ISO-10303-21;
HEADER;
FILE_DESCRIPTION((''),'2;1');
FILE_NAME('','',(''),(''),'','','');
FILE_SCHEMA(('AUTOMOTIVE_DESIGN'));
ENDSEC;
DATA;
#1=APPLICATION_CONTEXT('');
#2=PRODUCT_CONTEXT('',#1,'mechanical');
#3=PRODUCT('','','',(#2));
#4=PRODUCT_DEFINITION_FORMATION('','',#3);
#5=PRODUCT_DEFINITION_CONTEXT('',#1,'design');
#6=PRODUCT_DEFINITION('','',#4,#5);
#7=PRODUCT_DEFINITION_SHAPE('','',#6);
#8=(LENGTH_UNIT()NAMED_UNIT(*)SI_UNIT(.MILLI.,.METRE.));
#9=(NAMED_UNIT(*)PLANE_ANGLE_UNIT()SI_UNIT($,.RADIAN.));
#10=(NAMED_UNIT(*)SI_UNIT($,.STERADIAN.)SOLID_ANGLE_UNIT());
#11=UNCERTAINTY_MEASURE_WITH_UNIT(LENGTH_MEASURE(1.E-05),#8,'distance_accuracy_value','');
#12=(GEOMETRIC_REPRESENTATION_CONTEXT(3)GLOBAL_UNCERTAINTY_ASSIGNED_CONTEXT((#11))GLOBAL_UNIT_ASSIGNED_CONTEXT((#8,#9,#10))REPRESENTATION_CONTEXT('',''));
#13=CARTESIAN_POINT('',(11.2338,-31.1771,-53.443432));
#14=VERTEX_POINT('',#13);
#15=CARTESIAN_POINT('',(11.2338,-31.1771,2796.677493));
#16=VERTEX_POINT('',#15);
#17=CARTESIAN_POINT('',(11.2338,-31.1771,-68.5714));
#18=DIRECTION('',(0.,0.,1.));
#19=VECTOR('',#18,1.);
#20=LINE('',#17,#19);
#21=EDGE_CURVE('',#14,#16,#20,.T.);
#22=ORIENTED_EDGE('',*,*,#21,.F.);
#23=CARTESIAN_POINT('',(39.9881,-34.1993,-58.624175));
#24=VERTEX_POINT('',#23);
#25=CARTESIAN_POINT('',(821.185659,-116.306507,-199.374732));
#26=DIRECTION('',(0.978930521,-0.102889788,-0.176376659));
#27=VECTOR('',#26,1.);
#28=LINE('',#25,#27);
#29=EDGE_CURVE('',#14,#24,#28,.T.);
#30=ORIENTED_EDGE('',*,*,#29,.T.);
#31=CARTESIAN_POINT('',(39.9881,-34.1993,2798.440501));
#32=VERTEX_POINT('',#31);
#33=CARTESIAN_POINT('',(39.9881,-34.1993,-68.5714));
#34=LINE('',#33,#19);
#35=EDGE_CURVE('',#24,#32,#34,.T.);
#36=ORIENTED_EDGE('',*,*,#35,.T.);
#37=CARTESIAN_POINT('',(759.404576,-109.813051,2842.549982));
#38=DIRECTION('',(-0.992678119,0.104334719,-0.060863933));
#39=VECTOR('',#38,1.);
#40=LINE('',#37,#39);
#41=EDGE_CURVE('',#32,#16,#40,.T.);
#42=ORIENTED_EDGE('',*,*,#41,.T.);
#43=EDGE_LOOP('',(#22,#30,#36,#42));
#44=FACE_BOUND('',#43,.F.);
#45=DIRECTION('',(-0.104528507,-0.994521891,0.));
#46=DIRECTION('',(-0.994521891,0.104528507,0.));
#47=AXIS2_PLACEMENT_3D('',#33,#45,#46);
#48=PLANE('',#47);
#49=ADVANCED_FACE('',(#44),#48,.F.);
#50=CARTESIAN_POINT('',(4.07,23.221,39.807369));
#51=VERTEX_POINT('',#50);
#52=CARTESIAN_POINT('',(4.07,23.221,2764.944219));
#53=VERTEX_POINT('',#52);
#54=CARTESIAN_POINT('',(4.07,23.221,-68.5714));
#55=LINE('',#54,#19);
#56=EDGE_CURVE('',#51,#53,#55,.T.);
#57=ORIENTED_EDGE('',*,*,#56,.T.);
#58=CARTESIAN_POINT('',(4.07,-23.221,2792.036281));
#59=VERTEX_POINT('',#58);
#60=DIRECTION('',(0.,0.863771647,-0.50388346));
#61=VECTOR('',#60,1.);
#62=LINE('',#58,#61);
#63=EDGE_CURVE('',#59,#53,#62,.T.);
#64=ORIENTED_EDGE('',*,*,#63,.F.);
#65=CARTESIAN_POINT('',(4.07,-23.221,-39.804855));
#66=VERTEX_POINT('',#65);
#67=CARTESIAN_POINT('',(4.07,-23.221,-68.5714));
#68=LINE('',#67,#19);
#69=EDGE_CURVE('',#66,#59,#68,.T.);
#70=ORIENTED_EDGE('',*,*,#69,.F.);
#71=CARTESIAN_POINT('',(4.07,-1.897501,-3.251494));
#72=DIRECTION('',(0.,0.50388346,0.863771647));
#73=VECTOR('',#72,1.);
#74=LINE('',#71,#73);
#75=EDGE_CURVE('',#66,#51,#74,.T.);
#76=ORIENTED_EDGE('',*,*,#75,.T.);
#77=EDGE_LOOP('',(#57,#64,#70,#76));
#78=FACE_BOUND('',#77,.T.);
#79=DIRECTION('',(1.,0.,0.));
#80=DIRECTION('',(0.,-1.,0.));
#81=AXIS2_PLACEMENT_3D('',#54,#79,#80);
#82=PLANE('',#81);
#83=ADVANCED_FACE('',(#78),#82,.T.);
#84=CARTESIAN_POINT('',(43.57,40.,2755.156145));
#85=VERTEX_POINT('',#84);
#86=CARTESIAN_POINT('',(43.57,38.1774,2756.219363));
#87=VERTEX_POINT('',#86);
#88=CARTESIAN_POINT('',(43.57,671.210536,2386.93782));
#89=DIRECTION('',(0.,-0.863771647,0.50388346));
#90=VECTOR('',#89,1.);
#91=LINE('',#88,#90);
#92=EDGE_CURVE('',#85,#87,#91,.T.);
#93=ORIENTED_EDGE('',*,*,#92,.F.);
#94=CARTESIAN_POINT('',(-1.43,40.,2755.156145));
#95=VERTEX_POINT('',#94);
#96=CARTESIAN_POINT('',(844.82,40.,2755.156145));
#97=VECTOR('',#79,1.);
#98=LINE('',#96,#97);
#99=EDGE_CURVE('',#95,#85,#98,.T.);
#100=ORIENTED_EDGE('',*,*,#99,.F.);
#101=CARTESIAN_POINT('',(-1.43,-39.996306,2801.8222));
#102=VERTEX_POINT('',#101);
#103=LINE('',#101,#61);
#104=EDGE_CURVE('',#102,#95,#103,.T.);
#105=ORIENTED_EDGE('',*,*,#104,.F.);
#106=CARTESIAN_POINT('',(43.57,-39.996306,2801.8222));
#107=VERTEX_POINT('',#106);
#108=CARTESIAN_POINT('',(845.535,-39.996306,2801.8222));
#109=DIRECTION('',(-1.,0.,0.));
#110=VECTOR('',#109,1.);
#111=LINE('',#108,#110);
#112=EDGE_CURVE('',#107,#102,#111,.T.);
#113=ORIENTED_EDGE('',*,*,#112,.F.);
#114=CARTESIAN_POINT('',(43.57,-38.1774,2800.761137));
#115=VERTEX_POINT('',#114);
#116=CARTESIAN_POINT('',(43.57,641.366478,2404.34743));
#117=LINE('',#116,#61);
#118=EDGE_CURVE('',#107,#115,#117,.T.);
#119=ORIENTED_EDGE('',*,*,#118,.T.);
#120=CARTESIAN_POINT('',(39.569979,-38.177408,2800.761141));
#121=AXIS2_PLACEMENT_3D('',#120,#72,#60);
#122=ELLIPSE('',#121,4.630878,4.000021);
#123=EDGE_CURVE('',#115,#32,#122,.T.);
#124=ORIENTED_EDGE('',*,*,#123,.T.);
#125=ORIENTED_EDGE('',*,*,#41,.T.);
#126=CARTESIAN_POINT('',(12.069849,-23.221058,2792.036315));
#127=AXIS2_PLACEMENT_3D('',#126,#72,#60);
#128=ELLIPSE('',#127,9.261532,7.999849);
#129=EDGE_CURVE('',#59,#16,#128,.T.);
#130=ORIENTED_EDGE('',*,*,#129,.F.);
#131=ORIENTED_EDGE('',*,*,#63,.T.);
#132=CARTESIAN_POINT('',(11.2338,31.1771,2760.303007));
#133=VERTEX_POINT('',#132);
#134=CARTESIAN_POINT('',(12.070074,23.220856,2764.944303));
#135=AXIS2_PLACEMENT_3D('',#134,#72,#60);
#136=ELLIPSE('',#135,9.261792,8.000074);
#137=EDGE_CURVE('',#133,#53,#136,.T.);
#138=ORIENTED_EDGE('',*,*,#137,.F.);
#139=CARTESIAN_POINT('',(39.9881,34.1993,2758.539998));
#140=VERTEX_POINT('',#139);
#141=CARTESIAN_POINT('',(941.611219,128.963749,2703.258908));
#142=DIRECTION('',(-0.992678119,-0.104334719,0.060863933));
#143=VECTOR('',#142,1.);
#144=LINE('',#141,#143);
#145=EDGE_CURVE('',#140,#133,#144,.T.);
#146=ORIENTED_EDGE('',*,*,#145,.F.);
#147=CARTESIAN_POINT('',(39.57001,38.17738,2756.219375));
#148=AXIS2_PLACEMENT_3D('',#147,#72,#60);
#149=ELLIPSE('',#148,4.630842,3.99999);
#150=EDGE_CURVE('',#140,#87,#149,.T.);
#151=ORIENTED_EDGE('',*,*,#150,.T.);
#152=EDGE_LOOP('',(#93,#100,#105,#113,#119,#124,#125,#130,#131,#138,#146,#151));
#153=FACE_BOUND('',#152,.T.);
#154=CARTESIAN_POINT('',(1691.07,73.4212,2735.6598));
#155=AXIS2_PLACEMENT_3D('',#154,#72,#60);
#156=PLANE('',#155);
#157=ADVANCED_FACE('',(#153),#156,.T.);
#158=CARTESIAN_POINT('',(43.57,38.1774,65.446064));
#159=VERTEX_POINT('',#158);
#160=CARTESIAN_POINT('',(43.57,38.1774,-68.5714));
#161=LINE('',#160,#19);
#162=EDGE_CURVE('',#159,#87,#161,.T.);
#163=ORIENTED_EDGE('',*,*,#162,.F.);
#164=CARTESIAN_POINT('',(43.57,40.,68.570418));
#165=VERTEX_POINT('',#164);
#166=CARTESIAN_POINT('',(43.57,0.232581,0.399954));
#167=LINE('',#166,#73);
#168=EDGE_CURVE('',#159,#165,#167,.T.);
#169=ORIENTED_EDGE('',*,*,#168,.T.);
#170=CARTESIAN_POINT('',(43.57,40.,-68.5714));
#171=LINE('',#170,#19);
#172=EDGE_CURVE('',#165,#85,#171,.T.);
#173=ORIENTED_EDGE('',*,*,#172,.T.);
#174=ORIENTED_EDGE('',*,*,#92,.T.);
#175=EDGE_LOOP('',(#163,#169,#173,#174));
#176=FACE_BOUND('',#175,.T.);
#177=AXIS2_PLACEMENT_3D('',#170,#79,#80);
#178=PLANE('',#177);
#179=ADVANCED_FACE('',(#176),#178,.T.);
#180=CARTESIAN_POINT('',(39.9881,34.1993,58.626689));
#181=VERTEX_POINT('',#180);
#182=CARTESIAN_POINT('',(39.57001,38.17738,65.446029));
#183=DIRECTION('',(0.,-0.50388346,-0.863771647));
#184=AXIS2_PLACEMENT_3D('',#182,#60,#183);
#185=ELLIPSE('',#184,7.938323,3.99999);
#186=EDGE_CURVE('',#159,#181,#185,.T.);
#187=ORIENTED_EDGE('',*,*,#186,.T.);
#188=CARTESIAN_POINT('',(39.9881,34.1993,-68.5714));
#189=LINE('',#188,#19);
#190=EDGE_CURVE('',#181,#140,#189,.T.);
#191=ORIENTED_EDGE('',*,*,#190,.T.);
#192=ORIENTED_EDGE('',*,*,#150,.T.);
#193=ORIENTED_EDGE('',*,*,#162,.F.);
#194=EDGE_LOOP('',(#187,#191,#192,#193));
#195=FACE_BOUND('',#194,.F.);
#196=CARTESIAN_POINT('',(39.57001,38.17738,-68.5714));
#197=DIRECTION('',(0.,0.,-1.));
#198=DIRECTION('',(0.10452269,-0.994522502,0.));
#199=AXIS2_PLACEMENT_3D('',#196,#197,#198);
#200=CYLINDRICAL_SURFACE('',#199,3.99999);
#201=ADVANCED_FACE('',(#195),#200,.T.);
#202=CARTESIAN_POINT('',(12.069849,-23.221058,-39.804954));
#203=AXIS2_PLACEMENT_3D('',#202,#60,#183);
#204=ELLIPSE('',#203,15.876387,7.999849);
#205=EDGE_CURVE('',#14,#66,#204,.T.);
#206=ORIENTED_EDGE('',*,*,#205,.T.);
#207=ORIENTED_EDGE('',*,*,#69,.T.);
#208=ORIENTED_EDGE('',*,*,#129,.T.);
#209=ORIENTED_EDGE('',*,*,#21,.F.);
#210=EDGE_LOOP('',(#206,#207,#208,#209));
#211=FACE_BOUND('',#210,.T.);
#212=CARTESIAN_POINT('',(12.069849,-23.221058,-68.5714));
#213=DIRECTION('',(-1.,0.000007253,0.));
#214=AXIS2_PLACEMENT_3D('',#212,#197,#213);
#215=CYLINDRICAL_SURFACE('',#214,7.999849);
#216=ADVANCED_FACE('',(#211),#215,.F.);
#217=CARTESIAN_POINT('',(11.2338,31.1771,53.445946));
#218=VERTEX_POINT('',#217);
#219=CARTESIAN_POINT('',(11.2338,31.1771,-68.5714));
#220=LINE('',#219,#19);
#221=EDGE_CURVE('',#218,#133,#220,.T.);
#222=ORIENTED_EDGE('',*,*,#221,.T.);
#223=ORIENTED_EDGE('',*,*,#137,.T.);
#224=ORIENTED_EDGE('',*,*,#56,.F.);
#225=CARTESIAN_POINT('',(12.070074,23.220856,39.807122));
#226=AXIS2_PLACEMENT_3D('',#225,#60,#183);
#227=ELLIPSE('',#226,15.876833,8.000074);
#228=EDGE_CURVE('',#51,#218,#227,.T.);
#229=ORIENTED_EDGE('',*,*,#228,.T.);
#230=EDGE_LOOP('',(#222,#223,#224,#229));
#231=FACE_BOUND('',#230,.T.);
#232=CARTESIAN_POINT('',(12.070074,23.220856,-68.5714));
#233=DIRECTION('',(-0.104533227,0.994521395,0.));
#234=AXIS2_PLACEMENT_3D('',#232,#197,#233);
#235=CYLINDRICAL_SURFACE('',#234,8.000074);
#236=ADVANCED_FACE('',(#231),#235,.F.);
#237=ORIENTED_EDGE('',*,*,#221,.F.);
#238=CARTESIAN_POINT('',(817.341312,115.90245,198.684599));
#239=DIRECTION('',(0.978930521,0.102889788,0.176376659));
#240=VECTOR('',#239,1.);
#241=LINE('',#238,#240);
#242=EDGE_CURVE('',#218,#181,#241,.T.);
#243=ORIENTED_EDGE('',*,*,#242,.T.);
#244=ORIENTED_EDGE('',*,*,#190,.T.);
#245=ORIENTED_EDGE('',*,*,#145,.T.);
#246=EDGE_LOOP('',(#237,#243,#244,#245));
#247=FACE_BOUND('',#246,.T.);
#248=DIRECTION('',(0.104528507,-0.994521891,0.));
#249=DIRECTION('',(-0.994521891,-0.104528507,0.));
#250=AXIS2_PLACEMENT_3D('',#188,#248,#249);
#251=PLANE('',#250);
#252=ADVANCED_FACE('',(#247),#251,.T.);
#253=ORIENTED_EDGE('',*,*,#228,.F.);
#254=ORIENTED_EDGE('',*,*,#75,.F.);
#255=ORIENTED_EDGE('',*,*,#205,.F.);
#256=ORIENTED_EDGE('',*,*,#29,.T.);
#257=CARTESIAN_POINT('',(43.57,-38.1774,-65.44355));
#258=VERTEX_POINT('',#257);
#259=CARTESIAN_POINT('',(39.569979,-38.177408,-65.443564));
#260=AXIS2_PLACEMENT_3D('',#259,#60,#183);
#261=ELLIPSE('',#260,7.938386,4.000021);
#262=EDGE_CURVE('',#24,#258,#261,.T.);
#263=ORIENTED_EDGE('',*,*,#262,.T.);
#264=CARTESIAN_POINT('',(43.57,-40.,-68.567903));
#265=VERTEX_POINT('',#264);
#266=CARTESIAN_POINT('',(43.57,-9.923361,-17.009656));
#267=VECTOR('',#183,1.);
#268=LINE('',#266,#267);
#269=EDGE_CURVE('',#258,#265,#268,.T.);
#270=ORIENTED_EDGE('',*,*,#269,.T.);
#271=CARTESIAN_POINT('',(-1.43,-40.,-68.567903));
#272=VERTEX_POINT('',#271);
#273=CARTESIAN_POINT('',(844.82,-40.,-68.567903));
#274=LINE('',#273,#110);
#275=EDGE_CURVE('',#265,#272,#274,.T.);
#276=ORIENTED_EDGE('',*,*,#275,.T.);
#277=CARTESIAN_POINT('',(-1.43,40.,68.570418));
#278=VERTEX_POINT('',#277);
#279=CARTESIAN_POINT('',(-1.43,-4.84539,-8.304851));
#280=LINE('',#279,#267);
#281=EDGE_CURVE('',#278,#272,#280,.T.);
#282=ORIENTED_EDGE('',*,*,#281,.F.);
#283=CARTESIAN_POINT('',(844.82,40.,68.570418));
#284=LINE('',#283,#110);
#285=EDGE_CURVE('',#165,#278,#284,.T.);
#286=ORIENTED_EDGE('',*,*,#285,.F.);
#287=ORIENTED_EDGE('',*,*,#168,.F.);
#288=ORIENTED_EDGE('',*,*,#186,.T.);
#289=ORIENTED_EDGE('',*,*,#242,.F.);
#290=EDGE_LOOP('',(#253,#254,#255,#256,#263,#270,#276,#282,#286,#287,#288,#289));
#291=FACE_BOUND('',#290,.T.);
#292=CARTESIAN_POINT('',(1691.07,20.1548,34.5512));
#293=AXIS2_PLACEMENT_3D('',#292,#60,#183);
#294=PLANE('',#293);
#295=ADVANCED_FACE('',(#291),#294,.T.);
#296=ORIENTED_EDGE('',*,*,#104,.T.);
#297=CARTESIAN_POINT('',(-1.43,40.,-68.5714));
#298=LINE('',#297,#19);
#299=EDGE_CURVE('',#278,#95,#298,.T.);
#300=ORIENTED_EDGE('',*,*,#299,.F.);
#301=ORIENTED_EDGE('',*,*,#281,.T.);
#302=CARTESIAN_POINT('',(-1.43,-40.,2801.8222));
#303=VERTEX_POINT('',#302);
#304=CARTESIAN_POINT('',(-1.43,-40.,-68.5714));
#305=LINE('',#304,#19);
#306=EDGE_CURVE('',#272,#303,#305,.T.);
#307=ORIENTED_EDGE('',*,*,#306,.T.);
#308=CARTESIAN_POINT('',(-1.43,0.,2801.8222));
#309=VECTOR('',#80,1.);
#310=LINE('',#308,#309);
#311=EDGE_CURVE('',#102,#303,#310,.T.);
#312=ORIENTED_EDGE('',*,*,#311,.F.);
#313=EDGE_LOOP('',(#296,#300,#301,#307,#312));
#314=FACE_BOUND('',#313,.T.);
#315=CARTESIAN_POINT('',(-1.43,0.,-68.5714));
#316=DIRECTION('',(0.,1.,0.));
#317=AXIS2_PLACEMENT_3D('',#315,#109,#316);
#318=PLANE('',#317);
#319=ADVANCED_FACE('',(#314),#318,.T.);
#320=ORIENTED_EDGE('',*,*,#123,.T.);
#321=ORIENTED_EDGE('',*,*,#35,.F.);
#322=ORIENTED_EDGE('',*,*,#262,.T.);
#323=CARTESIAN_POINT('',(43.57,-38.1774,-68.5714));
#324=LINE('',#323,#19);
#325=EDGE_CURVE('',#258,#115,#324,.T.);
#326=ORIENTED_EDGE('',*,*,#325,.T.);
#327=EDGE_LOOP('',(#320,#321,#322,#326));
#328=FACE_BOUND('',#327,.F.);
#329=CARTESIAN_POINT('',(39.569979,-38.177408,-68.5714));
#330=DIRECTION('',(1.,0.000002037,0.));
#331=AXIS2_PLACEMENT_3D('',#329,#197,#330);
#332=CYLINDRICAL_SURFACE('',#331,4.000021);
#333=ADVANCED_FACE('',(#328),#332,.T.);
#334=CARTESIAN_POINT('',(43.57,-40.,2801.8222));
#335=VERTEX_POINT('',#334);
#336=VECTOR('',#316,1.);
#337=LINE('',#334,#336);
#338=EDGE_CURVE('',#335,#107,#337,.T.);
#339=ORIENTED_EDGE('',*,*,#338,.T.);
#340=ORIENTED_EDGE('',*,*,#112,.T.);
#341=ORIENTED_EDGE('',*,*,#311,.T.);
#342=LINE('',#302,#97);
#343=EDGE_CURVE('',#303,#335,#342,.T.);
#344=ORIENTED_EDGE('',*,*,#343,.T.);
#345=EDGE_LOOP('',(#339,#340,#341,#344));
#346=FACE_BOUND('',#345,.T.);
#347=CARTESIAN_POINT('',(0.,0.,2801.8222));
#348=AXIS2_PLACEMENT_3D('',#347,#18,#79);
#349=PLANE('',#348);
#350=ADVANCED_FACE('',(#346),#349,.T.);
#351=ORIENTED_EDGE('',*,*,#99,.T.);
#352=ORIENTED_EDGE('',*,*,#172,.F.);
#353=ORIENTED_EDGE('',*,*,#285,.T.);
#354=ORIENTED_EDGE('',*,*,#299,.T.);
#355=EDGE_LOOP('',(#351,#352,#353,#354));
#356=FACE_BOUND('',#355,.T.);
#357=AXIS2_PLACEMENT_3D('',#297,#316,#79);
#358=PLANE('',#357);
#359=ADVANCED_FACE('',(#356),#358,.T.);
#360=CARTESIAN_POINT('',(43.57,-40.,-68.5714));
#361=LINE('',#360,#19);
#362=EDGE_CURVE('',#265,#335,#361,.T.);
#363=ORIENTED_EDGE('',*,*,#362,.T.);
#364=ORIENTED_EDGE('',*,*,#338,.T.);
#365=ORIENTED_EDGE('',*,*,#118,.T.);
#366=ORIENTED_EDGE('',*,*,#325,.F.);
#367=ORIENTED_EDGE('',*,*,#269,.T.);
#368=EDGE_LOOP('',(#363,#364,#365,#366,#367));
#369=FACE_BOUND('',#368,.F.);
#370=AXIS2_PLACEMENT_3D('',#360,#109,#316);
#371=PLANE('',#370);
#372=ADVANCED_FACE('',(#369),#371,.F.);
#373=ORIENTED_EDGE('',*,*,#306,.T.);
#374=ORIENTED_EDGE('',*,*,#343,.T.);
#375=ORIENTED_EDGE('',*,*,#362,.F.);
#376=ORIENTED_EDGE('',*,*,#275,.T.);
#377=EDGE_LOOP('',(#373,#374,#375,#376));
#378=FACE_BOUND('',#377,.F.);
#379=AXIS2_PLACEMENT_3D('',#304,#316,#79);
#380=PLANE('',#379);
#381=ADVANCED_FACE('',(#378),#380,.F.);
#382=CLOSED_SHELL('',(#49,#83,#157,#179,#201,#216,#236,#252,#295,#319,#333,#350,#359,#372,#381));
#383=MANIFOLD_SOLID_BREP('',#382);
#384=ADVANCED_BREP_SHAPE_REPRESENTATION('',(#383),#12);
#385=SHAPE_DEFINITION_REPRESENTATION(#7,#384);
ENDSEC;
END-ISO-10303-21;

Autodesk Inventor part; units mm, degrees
ref_plane "Начальная плоскость" through (0, 0, -68.5714) normal (0, 0, 1) x (1, 0, 0)
ref_plane "Конечная плоскость" through (0, 0, 2801.8221) normal (0, 0, 1) x (1, 0, 0)
sketch "Эскиз" plane through (0, 0, 0) normal (0, 0, 1) x (1, 0, 0)
  line L0 (-1.43, 0) -> (-1.43, 40)
  line L1 (-1.43, 40) -> (43.57, 40)
  line L2 (43.57, 40) -> (43.57, 38.1774)
  line L3 (39.9881, 34.1993) -> (11.2338, 31.1771)
  line L4 (4.07, 23.221) -> (4.07, 0)
  line L5 (4.07, 0) -> (-1.43, 0) construction
  line L6 (23.82, 40) -> (23.82, 32.5) construction
  line L7 (43.57, 34.5758) -> (43.57, 32.5) construction
  line L8 (43.57, 32.5) -> (23.82, 32.5) construction
  line L9 (0, 15) -> (0, -27) construction
  line L10 (-5.539, 0) -> (16.0067, 0) construction
  line L11 (-1.43, 0) -> (-1.43, -40)
  line L12 (-1.43, -40) -> (43.57, -40)
  line L13 (43.57, -40) -> (43.57, -38.1774)
  line L14 (39.9881, -34.1993) -> (11.2338, -31.1771)
  line L15 (4.07, -23.221) -> (4.07, 0)
  arc A0 (11.2338, 31.1771) -> (4.07, 23.221) centre (12.07, 23.221) ccw
  arc A1 (4.07, -23.221) -> (11.2338, -31.1771) centre (12.07, -23.221) ccw
  arc A2 (39.9881, 34.1993) -> (43.57, 38.1774) centre (39.57, 38.1774) ccw
  arc A3 (43.57, -38.1774) -> (39.9881, -34.1993) centre (39.57, -38.1774) ccw
  line L16 (0, 56) -> (0, -56) construction
  line L17 (-15.5135, 0) -> (54.308, 0) construction
  point P0 (4.07, 30.4242)
  point P1 (43.57, -34.5758)
  point P2 (4.07, -30.4242)
  point P3 (23.82, -40)
  point P4 (23.82, -32.5)
  dimension "d0" = 5.5
  dimension "d1" = 40
  dimension "d2" = 45
  dimension "d3" = 7.5
  dimension "d4" = 19.75
  dimension "d5" = 2.0758
  dimension "d23" = 8
  dimension "d24" = 4
  dimension "d25" = 1.43
extrude "Тело" add sketch "Эскиз" along normal up to surface (2870.3936 mm away) from surface at -68.5714
sketch "Sketch3" plane through (0, 0, 0) normal (0, 0, 1) x (1, 0, 0)
  line L0 (0, 0) -> (10, 0)
ref_plane "Work Plane3" through (0, 0, 0) normal (0, -1, 0) x (1, 0, 0)
sketch "Sketch4" plane through (0, 0, 0) normal (0, -1, 0) x (1, 0, 0)
  line L0 (-2, -68.5714) -> (12, -68.5714)
  line L1 (-2, 2801.8221) -> (12, 2801.8221)
  dimension "d29" = 2870.3936
ref_plane "РабПлоскость4" through (1691.07, 73.4212, 2735.6598) normal (0, 0.5039, 0.8638) x (1, 0, 0)
split "Разделение1" plane through (1691.07, 73.4212, 2735.6598) removes the side toward (0, 0.5039, 0.8638)
ref_plane "РабПлоскость5" through (1691.07, 20.1548, 34.5512) normal (0, 0.8638, -0.5039) x (1, 0, 0)
split "Разделение2" plane through (1691.07, 20.1548, 34.5512) removes the side toward (0, 0.8638, -0.5039)
equation "\"d0\" = G_T"
equation "\"d1\" = 0.5 * G_H"
equation "\"d2\" = G_W"
equation "\"d3\" = G_T1"
equation "\"d4\" = G_C"
equation "\"d23\" = G_IR"
equation "\"d24\" = G_ER"
equation "\"d25\" = ex"
equation "\"d6\" = G_L"
equation "\"G_W\" = 45"
equation "\"G_T\" = 5.5"
equation "\"G_T1\" = 7.5"
equation "\"G_NG\" = 0.105104"
equation "\"G_ER\" = 4"
equation "\"G_IR\" = 8"
equation "\"G_C\" = 19.75"
equation "\"G_L\" = d29"
equation "\"ex\" = 1.43"
equation "\"G_OFFSET_START\" = 68.57143"
equation "\"G_OFFSET_END\" = 23.33333"
equation "\"d26\" = -G_OFFSET_START"
equation "\"d27\" = G_OFFSET_END + B_L"
equation "\"B_L\" = 2778.4888"
equation "\"G_H\" = 80"
properties part number "ISO 657/11 - CH 80 x 8 - 2870,39" material "Сталь, мягкая"
